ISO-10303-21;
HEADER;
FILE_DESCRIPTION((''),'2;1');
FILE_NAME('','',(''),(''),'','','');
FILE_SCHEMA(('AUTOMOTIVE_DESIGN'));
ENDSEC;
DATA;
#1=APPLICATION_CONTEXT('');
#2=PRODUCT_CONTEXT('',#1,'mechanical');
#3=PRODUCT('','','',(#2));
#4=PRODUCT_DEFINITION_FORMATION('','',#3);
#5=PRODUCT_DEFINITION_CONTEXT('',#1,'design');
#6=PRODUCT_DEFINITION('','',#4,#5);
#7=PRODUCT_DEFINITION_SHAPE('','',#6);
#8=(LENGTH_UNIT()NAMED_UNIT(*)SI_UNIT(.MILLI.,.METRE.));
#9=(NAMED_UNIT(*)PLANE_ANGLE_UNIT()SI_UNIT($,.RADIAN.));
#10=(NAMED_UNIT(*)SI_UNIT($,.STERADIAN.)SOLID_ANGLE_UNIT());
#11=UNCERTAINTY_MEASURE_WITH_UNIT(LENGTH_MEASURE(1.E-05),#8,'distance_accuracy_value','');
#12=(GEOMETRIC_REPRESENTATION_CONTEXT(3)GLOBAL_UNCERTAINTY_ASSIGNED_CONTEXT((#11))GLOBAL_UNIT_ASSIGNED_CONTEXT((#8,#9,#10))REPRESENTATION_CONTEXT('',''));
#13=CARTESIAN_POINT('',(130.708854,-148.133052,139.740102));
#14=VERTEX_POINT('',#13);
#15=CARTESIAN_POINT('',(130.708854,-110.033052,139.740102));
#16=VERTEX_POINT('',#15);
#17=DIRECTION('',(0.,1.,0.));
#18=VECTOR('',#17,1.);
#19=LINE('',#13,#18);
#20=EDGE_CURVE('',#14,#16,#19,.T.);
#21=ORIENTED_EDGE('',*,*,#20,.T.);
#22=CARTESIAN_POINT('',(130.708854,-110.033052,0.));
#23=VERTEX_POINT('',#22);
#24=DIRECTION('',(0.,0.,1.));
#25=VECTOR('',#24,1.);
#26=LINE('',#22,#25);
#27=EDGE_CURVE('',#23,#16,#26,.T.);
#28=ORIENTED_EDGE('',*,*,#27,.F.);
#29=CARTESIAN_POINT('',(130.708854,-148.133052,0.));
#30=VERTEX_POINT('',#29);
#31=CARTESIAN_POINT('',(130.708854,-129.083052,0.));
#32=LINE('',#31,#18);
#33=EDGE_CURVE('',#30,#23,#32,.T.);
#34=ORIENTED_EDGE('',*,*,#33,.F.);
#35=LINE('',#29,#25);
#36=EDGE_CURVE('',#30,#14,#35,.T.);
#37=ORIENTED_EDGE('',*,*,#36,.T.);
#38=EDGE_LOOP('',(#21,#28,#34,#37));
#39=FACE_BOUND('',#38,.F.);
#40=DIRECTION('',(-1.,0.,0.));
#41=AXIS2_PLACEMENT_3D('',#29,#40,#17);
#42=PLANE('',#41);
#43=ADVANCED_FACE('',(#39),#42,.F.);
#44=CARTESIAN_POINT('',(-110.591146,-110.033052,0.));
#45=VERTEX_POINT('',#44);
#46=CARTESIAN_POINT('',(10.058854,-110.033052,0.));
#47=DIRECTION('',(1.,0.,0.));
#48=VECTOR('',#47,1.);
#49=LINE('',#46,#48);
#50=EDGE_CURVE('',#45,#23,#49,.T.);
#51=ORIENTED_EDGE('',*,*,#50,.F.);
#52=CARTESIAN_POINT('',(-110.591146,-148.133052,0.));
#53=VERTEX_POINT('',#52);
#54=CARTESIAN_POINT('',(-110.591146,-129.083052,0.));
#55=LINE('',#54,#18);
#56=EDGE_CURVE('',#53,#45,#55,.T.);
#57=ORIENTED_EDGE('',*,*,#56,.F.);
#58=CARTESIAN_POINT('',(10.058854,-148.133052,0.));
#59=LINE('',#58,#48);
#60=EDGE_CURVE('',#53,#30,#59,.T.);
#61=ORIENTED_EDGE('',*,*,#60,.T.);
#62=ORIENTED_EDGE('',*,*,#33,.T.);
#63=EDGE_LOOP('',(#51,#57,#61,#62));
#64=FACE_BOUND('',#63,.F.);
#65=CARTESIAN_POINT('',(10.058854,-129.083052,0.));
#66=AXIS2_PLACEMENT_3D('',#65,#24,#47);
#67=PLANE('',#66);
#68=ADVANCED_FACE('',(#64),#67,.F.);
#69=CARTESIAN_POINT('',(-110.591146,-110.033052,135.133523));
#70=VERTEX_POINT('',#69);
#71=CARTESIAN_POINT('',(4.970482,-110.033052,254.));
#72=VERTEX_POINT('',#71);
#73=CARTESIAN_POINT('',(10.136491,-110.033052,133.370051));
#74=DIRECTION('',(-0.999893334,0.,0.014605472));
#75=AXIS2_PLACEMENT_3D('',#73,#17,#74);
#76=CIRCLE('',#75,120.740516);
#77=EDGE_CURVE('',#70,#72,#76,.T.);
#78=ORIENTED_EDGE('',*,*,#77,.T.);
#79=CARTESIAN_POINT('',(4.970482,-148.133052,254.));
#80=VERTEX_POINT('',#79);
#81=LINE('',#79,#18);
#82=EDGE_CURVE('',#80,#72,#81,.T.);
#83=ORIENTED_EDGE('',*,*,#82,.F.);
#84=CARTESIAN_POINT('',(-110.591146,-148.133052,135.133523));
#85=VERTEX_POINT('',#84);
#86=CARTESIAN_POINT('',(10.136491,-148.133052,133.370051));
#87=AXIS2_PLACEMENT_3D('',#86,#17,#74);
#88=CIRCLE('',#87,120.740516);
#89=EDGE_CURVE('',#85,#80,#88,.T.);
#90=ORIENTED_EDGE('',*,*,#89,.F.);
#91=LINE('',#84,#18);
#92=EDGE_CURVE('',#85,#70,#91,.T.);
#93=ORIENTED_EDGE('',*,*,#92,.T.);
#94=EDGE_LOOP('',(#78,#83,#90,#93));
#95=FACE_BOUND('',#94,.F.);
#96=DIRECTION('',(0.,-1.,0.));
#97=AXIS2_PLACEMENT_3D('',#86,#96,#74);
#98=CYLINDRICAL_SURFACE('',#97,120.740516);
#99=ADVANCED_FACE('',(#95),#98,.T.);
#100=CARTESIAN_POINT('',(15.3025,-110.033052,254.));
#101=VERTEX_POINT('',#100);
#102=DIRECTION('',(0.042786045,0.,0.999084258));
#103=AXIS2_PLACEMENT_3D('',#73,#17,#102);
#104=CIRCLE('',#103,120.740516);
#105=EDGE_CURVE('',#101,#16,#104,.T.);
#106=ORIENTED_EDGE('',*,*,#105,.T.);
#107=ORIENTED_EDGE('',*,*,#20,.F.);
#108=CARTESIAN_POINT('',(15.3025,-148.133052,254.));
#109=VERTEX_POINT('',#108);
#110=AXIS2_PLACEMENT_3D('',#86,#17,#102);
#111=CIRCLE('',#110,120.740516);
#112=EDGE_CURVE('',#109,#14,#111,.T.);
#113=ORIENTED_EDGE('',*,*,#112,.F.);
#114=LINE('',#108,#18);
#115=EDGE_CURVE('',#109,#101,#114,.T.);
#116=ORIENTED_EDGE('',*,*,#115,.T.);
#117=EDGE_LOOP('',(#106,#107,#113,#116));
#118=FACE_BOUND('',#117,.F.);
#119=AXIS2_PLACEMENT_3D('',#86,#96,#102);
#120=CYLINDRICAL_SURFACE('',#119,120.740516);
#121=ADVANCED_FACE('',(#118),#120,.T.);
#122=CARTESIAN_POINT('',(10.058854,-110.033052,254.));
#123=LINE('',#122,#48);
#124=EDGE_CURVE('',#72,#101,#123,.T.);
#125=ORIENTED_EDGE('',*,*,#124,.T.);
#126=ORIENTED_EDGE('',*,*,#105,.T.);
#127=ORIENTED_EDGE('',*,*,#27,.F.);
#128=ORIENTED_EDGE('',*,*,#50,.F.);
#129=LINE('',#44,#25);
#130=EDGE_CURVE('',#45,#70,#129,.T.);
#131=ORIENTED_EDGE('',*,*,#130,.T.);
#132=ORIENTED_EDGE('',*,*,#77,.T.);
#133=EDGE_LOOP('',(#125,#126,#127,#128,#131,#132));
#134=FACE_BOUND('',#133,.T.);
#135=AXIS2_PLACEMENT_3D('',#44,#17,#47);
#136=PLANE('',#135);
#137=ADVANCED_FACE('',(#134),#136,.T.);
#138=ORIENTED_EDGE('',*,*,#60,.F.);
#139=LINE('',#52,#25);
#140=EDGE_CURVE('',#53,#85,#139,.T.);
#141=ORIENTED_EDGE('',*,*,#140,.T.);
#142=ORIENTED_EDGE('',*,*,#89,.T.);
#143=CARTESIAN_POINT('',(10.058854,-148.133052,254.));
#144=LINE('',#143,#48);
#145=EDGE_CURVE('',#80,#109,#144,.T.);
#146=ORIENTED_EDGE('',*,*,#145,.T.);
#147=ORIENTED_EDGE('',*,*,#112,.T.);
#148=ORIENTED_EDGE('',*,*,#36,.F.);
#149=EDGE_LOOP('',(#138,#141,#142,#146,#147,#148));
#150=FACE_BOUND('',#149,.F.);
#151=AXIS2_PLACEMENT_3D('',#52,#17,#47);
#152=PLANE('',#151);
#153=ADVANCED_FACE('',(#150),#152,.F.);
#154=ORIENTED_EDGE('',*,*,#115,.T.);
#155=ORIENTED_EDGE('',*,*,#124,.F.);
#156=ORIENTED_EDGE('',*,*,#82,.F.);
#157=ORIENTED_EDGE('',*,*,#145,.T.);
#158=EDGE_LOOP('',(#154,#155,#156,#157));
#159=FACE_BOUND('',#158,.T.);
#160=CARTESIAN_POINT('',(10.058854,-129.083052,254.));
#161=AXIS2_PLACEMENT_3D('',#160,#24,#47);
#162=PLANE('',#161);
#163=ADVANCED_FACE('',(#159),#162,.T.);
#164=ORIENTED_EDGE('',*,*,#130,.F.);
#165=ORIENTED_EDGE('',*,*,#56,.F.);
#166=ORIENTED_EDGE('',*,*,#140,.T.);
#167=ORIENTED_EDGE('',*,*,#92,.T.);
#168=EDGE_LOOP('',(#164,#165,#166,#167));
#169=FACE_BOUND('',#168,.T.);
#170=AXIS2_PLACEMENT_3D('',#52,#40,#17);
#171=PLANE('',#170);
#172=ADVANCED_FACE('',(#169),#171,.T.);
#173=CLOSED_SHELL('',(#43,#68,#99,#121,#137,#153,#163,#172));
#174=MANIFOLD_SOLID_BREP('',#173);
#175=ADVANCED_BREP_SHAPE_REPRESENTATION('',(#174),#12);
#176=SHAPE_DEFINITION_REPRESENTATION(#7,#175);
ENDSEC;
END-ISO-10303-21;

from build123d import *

# Parameters (mm, degrees)
F0_W     = 241.3
F0_H     = 38.1
F1_DEPTH = 254
F3_DEPTH = 38.1


with BuildPart() as f1:
    # F0 (on Top) → F1 (new body)
    with BuildSketch(Plane.XY):
        with Locations((10.0588537753, -129.0830521395)):
            Rectangle(F0_W, F0_H)
    extrude(amount=F1_DEPTH)

    # F2 (on face) → F3 (cut)
    with BuildSketch(Plane.XZ.offset(148.1330521395)):
        with BuildLine():
            ThreePointArc((15.302500107, 254), (95.0856852325, 219.171604803), (130.7088537753, 139.7401022129))
            Line((130.7088537753, 139.7401022129), (130.7088537753, 254))
            Line((130.7088537753, 254), (15.302500107, 254))
        make_face()
        with BuildLine():
            ThreePointArc((-110.5911462247, 135.133523386), (-76.4349382663, 217.5345320826), (4.9704818596, 254))
            Line((4.9704818596, 254), (-110.5911462247, 254))
            Line((-110.5911462247, 254), (-110.5911462247, 135.133523386))
        make_face()
    extrude(amount=-F3_DEPTH, mode=Mode.SUBTRACT)


solid = f1.part
